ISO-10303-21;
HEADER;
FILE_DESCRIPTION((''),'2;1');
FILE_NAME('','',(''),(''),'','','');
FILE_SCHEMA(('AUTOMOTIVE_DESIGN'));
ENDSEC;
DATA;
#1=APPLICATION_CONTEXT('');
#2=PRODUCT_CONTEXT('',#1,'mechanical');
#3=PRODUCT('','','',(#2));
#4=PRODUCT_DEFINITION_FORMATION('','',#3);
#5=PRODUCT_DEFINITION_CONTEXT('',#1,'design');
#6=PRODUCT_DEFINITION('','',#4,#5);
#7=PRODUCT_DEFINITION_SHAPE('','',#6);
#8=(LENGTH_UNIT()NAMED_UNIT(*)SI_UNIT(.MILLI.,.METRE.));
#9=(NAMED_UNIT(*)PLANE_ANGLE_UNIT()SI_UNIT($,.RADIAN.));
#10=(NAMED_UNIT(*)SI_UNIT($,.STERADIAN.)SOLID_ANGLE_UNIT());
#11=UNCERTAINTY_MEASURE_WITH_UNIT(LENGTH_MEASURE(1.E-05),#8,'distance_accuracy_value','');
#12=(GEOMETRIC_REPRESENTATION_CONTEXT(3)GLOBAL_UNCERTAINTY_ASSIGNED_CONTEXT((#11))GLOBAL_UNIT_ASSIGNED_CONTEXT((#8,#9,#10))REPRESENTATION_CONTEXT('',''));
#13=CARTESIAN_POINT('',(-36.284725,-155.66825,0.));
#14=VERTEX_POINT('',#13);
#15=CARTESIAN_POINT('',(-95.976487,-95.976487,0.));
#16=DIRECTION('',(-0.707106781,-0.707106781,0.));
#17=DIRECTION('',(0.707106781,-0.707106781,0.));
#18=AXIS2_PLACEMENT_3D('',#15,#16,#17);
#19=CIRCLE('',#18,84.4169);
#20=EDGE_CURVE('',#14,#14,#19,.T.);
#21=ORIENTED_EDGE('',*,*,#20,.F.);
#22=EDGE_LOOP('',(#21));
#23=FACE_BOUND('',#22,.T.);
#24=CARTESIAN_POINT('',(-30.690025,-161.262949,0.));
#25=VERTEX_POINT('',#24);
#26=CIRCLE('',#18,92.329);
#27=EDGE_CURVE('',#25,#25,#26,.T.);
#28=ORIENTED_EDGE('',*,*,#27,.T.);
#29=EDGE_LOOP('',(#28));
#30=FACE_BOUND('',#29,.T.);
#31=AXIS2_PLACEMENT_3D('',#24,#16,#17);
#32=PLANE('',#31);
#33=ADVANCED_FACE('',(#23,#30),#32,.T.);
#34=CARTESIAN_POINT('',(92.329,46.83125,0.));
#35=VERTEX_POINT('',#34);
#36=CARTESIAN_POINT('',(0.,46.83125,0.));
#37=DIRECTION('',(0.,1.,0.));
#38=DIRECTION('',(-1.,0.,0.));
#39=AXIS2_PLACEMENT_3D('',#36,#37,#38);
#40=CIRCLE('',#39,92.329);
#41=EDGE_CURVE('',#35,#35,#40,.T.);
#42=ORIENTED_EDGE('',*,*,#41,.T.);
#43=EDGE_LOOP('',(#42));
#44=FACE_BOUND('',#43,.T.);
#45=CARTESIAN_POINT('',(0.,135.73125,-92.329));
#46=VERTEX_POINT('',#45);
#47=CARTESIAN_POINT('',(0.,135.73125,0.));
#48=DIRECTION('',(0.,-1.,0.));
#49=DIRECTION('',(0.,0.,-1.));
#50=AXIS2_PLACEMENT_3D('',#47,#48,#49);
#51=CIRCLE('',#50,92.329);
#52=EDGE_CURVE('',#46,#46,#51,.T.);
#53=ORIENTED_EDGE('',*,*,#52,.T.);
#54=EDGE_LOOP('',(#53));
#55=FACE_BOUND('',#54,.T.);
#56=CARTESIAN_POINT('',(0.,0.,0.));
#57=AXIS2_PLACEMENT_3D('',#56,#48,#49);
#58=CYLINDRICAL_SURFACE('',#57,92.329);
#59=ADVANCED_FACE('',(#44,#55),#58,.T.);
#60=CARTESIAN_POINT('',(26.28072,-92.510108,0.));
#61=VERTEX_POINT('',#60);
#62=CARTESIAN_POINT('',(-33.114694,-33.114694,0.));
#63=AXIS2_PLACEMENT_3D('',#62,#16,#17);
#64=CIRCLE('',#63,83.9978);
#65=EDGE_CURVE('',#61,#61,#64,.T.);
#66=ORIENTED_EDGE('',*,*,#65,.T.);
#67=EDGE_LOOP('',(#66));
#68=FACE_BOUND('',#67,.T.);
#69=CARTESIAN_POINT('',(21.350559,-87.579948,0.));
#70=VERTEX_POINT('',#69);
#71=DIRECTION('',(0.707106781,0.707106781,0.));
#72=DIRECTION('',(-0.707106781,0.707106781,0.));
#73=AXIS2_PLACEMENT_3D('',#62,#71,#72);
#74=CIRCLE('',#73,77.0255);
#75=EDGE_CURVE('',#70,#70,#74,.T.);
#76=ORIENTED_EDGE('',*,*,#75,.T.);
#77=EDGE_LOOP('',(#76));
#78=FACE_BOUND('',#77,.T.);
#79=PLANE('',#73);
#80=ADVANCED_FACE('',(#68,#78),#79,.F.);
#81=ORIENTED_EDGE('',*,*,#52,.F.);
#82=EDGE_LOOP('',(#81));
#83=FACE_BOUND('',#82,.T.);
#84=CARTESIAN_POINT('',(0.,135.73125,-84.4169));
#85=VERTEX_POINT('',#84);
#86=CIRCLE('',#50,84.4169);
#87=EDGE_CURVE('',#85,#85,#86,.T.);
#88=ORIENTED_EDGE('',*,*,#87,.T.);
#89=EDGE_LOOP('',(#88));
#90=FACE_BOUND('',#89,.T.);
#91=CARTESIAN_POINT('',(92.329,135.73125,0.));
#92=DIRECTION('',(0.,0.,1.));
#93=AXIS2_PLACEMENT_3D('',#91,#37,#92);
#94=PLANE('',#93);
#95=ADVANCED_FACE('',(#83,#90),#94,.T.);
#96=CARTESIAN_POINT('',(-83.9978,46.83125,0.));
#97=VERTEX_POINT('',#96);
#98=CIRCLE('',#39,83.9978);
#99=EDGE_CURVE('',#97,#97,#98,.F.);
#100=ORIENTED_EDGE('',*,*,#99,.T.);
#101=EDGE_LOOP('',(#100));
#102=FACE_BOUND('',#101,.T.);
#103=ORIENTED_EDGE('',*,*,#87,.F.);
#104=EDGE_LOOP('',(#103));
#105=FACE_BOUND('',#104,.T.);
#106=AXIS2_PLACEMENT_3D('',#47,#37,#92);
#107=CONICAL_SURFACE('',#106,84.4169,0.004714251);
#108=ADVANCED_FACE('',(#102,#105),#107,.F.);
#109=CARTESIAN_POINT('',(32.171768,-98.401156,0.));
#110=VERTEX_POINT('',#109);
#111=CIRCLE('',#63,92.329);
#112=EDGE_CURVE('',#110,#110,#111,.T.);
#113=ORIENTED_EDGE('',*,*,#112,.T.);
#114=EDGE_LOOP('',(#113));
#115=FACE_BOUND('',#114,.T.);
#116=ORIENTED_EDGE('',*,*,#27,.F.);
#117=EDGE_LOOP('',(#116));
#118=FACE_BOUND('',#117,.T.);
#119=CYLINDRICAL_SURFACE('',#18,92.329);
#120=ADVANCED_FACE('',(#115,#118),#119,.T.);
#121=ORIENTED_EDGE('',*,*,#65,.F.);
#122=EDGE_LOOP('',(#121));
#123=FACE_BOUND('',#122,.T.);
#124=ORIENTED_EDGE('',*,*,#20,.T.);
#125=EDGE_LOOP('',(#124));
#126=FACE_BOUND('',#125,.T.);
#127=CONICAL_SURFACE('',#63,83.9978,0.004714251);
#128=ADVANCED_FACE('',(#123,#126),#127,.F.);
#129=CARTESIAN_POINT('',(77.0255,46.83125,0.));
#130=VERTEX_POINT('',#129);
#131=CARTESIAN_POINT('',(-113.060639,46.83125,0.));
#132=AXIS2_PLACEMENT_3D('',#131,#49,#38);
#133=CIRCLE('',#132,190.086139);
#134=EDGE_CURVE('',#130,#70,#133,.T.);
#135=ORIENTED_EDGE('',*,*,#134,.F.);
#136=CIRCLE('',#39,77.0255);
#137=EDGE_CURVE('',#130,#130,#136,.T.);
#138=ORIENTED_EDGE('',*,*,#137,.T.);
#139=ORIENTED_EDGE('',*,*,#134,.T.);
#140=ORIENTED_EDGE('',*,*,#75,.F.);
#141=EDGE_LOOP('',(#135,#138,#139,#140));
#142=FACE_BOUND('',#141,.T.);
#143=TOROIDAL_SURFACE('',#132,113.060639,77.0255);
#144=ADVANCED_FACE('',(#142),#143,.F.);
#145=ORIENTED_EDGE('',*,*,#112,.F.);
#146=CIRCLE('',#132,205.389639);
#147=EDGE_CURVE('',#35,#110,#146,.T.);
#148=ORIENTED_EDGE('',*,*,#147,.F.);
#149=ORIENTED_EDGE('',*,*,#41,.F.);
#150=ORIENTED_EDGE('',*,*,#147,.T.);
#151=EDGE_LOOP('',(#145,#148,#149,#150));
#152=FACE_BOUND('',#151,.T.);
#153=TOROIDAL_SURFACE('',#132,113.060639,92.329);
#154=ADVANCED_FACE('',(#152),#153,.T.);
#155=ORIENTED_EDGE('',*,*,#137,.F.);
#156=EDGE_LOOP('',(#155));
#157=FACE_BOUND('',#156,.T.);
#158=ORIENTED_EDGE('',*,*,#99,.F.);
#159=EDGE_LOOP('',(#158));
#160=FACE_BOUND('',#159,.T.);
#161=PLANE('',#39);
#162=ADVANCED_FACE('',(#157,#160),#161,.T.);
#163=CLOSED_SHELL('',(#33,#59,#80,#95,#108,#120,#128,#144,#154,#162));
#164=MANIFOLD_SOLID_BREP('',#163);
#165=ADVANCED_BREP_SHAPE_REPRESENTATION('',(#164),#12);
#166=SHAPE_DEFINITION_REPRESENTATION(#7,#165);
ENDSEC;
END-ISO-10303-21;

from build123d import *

# Parameters (mm, degrees)
SKETCH3_R   = 92.329
SKETCH3_R_2 = 77.0255


with BuildPart() as part:
    # Sketch1 → Revolve1 (revolve)
    with BuildSketch(Plane.XY):
        Polygon((-30.690025294, -161.262949294), (32.171767554, -98.401156447), (26.280719538, -92.510108431), (-36.284724857, -155.668249731), align=None)
    revolve(axis=Axis((-95.976487294, -95.976487294, 0), (0.7071067811865488, 0.7071067811865464, 0)))



with BuildPart() as body_2:
    # Sketch2 → Revolve2 (revolve)
    with BuildSketch(Plane.XY):
        Polygon((84.4169, 135.73125), (83.9978, 46.83125), (92.329, 46.83125), (92.329, 135.73125), align=None)
    revolve(axis=Axis((0, 0, 0), (0, 1, 0)))


with BuildPart() as part_1:
    add(part.part)

    add(body_2.part)  # Sweep1 merges body 2
    # Sweep1: sweep along a path in Sketch4
    with BuildLine(Plane.XY) as sweep1_path:
        ThreePointArc((-33.114694446, -33.114694446), (-8.606228687, 3.564816643), (0, 46.83125))
    # Sketch3 → Sweep1 (sweep)
    with BuildSketch(Plane(origin=(-33.114694446, -33.114694446, 0), x_dir=(0, 0, -1), z_dir=(0.7071067811865486, 0.7071067811865465, 0))):
        Circle(SKETCH3_R)
        Circle(SKETCH3_R_2, mode=Mode.SUBTRACT)
    sweep(path=sweep1_path.line)


solid = part_1.part
